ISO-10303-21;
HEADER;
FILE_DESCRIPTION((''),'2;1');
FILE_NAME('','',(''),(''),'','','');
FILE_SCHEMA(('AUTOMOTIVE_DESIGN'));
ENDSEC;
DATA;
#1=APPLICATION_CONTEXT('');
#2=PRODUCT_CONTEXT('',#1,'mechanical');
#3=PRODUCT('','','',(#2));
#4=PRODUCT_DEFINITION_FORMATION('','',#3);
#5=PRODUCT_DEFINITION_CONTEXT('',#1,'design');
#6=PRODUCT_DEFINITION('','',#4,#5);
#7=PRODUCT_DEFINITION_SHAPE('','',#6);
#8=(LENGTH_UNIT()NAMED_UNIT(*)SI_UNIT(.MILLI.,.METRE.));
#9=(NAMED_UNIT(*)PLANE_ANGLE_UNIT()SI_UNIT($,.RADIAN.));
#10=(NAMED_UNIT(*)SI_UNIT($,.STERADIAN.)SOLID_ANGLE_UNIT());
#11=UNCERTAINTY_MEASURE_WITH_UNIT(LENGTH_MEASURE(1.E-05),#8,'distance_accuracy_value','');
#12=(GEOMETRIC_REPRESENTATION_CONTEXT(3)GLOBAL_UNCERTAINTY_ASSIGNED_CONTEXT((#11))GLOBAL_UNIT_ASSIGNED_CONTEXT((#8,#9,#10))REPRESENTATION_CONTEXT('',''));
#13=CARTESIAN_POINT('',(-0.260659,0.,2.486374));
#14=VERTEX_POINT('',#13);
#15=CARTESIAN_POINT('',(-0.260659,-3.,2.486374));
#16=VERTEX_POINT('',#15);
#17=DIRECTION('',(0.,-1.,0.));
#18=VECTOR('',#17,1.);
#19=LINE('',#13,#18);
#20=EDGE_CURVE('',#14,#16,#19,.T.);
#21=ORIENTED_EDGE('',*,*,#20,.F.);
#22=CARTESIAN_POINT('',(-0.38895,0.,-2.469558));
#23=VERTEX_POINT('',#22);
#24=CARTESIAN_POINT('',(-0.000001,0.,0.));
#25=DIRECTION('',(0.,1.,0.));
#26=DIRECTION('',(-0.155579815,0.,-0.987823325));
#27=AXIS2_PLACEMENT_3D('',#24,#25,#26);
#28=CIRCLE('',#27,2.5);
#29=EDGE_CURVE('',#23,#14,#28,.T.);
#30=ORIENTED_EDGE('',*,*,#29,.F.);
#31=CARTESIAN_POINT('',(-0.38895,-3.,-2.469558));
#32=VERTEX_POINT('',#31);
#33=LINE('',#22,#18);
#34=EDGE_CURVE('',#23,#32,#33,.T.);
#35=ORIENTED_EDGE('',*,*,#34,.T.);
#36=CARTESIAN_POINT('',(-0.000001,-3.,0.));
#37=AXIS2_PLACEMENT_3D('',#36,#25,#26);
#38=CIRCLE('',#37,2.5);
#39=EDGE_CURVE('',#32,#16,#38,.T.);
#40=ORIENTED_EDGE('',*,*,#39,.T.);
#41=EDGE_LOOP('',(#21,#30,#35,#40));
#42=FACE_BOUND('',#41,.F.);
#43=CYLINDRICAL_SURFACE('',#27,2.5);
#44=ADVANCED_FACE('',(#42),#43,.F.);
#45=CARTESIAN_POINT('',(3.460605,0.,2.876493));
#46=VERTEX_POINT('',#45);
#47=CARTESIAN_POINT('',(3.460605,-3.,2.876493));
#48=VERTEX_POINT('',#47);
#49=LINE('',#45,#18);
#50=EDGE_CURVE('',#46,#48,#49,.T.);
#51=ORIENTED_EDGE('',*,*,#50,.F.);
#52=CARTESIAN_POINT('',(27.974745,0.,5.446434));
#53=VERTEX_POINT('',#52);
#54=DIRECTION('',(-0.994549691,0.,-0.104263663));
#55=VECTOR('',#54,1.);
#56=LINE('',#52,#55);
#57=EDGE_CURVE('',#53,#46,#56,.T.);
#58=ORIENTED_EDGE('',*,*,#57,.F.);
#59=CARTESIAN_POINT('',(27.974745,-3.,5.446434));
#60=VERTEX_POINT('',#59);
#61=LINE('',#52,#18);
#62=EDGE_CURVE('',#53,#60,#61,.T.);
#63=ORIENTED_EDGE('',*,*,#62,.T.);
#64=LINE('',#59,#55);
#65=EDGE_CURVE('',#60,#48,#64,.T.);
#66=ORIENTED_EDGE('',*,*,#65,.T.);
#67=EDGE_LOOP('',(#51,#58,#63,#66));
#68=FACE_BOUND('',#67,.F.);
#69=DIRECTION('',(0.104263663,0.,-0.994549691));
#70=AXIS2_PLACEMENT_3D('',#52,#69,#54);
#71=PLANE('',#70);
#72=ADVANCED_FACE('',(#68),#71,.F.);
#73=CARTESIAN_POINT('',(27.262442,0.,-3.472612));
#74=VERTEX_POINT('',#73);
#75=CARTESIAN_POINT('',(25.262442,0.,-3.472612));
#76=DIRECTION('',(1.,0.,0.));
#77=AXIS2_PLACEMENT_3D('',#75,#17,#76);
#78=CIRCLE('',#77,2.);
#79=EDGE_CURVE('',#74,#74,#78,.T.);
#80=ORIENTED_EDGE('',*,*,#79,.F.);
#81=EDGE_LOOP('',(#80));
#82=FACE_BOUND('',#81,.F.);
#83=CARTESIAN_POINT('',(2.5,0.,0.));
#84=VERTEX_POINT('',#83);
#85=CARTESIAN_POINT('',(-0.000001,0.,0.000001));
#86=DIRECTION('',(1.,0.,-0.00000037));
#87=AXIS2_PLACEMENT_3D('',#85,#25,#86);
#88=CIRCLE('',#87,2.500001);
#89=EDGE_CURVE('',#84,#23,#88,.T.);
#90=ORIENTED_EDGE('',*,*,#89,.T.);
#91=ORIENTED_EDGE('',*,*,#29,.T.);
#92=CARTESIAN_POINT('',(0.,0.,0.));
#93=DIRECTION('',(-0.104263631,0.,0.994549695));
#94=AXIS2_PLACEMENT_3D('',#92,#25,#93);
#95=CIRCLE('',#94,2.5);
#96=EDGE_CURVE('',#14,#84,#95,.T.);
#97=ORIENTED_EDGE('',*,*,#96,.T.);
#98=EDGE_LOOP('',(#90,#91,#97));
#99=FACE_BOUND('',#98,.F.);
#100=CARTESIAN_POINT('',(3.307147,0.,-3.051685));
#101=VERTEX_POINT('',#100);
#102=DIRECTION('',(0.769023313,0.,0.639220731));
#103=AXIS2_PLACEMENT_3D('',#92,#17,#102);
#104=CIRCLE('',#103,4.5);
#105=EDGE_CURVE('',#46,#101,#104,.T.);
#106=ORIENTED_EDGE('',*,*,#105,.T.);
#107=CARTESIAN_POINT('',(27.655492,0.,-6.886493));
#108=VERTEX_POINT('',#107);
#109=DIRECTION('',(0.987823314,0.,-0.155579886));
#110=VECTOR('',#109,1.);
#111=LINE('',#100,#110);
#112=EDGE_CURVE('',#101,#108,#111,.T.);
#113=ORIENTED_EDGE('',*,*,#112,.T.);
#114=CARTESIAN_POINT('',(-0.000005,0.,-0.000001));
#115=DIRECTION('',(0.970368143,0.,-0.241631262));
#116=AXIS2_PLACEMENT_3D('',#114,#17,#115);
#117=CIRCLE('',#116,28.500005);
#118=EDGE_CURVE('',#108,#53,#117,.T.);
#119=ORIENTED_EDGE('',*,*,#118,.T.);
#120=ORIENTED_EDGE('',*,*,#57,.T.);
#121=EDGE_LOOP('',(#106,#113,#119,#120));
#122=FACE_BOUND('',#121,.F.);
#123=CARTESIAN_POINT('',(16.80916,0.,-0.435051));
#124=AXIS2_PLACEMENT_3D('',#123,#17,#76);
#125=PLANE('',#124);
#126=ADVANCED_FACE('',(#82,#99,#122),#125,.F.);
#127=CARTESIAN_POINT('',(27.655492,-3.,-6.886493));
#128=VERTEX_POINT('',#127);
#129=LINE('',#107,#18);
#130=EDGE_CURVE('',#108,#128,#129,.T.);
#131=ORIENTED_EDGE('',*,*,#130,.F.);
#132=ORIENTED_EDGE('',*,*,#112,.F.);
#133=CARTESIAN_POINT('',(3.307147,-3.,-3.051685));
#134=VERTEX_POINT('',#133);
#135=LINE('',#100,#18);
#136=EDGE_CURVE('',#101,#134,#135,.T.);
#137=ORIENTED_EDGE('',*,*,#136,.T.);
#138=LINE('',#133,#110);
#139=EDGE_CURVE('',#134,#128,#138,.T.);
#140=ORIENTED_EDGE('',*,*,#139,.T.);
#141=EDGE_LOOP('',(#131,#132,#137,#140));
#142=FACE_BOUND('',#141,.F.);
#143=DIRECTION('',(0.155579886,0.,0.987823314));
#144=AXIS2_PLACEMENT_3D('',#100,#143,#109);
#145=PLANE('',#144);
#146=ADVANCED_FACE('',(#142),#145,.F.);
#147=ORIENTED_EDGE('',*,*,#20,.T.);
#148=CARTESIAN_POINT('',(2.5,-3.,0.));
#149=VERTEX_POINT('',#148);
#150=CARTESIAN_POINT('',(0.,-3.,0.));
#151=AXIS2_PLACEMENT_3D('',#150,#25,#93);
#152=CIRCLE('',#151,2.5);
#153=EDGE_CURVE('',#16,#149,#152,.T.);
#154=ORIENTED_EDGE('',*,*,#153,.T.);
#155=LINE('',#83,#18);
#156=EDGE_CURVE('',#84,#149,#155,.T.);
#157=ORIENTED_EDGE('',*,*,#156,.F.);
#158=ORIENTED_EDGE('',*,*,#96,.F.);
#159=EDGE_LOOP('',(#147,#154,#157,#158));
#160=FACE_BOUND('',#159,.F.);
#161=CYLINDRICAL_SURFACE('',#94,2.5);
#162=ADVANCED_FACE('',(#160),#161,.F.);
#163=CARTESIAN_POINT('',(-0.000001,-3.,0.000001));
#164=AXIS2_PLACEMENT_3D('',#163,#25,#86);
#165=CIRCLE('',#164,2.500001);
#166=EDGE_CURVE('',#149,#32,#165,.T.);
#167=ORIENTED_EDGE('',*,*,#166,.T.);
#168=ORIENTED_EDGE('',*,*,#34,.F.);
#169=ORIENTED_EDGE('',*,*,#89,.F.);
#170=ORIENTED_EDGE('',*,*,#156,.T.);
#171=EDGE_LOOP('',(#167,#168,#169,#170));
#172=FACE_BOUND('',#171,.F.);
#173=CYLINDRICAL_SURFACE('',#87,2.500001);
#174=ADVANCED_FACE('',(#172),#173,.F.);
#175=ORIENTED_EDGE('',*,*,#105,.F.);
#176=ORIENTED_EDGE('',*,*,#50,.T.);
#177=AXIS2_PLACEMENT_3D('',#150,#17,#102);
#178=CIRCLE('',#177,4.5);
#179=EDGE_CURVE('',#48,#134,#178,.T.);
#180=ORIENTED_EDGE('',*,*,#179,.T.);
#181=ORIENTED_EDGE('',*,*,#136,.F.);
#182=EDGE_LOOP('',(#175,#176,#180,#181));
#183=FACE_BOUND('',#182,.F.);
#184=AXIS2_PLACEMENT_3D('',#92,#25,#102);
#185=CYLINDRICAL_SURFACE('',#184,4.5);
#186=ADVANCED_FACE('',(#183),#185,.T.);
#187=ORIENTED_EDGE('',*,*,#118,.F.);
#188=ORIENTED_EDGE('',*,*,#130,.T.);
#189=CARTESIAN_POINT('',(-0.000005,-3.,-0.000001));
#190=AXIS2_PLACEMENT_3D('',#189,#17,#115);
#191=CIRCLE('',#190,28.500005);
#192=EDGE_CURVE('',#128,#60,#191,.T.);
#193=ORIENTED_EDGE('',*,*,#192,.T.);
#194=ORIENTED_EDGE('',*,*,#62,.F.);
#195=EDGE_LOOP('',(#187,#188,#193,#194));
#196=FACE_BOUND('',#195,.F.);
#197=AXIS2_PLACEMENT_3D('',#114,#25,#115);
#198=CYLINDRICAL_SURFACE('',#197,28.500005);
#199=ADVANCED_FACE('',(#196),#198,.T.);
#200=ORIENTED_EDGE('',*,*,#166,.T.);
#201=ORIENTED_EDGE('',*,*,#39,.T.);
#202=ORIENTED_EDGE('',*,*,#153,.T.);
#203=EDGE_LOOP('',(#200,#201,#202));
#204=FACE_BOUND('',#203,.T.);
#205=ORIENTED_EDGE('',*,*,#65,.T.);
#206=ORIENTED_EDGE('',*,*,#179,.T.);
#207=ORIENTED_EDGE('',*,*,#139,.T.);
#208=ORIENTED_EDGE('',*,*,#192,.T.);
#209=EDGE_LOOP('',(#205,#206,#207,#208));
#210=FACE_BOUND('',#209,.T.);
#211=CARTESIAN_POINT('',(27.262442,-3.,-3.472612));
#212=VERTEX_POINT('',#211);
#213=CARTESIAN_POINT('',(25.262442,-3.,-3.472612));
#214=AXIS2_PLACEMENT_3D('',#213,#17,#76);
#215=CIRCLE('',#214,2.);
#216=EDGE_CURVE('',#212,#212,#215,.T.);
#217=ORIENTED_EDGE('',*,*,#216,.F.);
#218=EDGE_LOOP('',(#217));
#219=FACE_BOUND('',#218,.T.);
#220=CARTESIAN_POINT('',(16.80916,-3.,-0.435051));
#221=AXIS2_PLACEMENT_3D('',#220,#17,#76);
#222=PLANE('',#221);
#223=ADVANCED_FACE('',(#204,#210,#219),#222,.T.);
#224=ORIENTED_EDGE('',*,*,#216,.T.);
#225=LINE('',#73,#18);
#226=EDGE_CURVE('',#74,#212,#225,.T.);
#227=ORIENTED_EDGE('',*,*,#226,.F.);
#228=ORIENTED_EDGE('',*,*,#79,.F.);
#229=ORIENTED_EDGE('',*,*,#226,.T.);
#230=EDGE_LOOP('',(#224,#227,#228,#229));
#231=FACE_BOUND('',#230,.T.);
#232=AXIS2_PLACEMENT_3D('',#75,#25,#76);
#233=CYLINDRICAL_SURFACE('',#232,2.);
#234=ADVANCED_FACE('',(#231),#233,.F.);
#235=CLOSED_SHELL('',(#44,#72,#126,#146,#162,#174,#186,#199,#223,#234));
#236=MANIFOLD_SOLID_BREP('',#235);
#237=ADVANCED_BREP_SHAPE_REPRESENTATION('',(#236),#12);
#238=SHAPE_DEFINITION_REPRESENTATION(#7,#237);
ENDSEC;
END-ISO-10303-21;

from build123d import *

# Parameters (mm, degrees)
F0_R     = 2
F1_DEPTH = 3


with BuildPart() as f1:
    # F0 (on Front) → F1 (new body)
    with BuildSketch(Plane.XZ):
        with BuildLine():
            Line((27.974745, 5.446434), (3.460605, 2.876493))
            ThreePointArc((3.460605, 2.876493), (4.232182, 1.529261), (4.5, 0))
            ThreePointArc((4.5, 0), (4.191191, -1.638267), (3.307147, -3.051685))
            Line((3.307147, -3.051685), (27.655492, -6.886493))
            ThreePointArc((27.655492, -6.886493), (28.490456, -0.737511), (27.974745, 5.446434))
        make_face()
        with Locations((25.262442, -3.472612)):
            Circle(F0_R, mode=Mode.SUBTRACT)
        with BuildLine():
            ThreePointArc((-0.260659, 2.486374), (1.673074, 1.857639), (2.5, 0))
            ThreePointArc((2.5, 0), (1.624442, -1.900312), (-0.38895, -2.469558))
            Line((-0.38895, -2.469558), (3.307147, -3.051685))
            ThreePointArc((3.307147, -3.051685), (4.191191, -1.638267), (4.5, 0))
            ThreePointArc((4.5, 0), (4.232182, 1.529261), (3.460605, 2.876493))
            Line((3.460605, 2.876493), (-0.260659, 2.486374))
        make_face()
        with BuildLine():
            ThreePointArc((-0.38895, -2.469558), (-2.499163, 0.064694), (-0.260659, 2.486374))
            Line((-0.260659, 2.486374), (3.460605, 2.876493))
            ThreePointArc((3.460605, 2.876493), (-4.498493, 0.116449), (3.307147, -3.051685))
            Line((3.307147, -3.051685), (-0.38895, -2.469558))
        make_face()
    extrude(amount=F1_DEPTH)


solid = f1.part
